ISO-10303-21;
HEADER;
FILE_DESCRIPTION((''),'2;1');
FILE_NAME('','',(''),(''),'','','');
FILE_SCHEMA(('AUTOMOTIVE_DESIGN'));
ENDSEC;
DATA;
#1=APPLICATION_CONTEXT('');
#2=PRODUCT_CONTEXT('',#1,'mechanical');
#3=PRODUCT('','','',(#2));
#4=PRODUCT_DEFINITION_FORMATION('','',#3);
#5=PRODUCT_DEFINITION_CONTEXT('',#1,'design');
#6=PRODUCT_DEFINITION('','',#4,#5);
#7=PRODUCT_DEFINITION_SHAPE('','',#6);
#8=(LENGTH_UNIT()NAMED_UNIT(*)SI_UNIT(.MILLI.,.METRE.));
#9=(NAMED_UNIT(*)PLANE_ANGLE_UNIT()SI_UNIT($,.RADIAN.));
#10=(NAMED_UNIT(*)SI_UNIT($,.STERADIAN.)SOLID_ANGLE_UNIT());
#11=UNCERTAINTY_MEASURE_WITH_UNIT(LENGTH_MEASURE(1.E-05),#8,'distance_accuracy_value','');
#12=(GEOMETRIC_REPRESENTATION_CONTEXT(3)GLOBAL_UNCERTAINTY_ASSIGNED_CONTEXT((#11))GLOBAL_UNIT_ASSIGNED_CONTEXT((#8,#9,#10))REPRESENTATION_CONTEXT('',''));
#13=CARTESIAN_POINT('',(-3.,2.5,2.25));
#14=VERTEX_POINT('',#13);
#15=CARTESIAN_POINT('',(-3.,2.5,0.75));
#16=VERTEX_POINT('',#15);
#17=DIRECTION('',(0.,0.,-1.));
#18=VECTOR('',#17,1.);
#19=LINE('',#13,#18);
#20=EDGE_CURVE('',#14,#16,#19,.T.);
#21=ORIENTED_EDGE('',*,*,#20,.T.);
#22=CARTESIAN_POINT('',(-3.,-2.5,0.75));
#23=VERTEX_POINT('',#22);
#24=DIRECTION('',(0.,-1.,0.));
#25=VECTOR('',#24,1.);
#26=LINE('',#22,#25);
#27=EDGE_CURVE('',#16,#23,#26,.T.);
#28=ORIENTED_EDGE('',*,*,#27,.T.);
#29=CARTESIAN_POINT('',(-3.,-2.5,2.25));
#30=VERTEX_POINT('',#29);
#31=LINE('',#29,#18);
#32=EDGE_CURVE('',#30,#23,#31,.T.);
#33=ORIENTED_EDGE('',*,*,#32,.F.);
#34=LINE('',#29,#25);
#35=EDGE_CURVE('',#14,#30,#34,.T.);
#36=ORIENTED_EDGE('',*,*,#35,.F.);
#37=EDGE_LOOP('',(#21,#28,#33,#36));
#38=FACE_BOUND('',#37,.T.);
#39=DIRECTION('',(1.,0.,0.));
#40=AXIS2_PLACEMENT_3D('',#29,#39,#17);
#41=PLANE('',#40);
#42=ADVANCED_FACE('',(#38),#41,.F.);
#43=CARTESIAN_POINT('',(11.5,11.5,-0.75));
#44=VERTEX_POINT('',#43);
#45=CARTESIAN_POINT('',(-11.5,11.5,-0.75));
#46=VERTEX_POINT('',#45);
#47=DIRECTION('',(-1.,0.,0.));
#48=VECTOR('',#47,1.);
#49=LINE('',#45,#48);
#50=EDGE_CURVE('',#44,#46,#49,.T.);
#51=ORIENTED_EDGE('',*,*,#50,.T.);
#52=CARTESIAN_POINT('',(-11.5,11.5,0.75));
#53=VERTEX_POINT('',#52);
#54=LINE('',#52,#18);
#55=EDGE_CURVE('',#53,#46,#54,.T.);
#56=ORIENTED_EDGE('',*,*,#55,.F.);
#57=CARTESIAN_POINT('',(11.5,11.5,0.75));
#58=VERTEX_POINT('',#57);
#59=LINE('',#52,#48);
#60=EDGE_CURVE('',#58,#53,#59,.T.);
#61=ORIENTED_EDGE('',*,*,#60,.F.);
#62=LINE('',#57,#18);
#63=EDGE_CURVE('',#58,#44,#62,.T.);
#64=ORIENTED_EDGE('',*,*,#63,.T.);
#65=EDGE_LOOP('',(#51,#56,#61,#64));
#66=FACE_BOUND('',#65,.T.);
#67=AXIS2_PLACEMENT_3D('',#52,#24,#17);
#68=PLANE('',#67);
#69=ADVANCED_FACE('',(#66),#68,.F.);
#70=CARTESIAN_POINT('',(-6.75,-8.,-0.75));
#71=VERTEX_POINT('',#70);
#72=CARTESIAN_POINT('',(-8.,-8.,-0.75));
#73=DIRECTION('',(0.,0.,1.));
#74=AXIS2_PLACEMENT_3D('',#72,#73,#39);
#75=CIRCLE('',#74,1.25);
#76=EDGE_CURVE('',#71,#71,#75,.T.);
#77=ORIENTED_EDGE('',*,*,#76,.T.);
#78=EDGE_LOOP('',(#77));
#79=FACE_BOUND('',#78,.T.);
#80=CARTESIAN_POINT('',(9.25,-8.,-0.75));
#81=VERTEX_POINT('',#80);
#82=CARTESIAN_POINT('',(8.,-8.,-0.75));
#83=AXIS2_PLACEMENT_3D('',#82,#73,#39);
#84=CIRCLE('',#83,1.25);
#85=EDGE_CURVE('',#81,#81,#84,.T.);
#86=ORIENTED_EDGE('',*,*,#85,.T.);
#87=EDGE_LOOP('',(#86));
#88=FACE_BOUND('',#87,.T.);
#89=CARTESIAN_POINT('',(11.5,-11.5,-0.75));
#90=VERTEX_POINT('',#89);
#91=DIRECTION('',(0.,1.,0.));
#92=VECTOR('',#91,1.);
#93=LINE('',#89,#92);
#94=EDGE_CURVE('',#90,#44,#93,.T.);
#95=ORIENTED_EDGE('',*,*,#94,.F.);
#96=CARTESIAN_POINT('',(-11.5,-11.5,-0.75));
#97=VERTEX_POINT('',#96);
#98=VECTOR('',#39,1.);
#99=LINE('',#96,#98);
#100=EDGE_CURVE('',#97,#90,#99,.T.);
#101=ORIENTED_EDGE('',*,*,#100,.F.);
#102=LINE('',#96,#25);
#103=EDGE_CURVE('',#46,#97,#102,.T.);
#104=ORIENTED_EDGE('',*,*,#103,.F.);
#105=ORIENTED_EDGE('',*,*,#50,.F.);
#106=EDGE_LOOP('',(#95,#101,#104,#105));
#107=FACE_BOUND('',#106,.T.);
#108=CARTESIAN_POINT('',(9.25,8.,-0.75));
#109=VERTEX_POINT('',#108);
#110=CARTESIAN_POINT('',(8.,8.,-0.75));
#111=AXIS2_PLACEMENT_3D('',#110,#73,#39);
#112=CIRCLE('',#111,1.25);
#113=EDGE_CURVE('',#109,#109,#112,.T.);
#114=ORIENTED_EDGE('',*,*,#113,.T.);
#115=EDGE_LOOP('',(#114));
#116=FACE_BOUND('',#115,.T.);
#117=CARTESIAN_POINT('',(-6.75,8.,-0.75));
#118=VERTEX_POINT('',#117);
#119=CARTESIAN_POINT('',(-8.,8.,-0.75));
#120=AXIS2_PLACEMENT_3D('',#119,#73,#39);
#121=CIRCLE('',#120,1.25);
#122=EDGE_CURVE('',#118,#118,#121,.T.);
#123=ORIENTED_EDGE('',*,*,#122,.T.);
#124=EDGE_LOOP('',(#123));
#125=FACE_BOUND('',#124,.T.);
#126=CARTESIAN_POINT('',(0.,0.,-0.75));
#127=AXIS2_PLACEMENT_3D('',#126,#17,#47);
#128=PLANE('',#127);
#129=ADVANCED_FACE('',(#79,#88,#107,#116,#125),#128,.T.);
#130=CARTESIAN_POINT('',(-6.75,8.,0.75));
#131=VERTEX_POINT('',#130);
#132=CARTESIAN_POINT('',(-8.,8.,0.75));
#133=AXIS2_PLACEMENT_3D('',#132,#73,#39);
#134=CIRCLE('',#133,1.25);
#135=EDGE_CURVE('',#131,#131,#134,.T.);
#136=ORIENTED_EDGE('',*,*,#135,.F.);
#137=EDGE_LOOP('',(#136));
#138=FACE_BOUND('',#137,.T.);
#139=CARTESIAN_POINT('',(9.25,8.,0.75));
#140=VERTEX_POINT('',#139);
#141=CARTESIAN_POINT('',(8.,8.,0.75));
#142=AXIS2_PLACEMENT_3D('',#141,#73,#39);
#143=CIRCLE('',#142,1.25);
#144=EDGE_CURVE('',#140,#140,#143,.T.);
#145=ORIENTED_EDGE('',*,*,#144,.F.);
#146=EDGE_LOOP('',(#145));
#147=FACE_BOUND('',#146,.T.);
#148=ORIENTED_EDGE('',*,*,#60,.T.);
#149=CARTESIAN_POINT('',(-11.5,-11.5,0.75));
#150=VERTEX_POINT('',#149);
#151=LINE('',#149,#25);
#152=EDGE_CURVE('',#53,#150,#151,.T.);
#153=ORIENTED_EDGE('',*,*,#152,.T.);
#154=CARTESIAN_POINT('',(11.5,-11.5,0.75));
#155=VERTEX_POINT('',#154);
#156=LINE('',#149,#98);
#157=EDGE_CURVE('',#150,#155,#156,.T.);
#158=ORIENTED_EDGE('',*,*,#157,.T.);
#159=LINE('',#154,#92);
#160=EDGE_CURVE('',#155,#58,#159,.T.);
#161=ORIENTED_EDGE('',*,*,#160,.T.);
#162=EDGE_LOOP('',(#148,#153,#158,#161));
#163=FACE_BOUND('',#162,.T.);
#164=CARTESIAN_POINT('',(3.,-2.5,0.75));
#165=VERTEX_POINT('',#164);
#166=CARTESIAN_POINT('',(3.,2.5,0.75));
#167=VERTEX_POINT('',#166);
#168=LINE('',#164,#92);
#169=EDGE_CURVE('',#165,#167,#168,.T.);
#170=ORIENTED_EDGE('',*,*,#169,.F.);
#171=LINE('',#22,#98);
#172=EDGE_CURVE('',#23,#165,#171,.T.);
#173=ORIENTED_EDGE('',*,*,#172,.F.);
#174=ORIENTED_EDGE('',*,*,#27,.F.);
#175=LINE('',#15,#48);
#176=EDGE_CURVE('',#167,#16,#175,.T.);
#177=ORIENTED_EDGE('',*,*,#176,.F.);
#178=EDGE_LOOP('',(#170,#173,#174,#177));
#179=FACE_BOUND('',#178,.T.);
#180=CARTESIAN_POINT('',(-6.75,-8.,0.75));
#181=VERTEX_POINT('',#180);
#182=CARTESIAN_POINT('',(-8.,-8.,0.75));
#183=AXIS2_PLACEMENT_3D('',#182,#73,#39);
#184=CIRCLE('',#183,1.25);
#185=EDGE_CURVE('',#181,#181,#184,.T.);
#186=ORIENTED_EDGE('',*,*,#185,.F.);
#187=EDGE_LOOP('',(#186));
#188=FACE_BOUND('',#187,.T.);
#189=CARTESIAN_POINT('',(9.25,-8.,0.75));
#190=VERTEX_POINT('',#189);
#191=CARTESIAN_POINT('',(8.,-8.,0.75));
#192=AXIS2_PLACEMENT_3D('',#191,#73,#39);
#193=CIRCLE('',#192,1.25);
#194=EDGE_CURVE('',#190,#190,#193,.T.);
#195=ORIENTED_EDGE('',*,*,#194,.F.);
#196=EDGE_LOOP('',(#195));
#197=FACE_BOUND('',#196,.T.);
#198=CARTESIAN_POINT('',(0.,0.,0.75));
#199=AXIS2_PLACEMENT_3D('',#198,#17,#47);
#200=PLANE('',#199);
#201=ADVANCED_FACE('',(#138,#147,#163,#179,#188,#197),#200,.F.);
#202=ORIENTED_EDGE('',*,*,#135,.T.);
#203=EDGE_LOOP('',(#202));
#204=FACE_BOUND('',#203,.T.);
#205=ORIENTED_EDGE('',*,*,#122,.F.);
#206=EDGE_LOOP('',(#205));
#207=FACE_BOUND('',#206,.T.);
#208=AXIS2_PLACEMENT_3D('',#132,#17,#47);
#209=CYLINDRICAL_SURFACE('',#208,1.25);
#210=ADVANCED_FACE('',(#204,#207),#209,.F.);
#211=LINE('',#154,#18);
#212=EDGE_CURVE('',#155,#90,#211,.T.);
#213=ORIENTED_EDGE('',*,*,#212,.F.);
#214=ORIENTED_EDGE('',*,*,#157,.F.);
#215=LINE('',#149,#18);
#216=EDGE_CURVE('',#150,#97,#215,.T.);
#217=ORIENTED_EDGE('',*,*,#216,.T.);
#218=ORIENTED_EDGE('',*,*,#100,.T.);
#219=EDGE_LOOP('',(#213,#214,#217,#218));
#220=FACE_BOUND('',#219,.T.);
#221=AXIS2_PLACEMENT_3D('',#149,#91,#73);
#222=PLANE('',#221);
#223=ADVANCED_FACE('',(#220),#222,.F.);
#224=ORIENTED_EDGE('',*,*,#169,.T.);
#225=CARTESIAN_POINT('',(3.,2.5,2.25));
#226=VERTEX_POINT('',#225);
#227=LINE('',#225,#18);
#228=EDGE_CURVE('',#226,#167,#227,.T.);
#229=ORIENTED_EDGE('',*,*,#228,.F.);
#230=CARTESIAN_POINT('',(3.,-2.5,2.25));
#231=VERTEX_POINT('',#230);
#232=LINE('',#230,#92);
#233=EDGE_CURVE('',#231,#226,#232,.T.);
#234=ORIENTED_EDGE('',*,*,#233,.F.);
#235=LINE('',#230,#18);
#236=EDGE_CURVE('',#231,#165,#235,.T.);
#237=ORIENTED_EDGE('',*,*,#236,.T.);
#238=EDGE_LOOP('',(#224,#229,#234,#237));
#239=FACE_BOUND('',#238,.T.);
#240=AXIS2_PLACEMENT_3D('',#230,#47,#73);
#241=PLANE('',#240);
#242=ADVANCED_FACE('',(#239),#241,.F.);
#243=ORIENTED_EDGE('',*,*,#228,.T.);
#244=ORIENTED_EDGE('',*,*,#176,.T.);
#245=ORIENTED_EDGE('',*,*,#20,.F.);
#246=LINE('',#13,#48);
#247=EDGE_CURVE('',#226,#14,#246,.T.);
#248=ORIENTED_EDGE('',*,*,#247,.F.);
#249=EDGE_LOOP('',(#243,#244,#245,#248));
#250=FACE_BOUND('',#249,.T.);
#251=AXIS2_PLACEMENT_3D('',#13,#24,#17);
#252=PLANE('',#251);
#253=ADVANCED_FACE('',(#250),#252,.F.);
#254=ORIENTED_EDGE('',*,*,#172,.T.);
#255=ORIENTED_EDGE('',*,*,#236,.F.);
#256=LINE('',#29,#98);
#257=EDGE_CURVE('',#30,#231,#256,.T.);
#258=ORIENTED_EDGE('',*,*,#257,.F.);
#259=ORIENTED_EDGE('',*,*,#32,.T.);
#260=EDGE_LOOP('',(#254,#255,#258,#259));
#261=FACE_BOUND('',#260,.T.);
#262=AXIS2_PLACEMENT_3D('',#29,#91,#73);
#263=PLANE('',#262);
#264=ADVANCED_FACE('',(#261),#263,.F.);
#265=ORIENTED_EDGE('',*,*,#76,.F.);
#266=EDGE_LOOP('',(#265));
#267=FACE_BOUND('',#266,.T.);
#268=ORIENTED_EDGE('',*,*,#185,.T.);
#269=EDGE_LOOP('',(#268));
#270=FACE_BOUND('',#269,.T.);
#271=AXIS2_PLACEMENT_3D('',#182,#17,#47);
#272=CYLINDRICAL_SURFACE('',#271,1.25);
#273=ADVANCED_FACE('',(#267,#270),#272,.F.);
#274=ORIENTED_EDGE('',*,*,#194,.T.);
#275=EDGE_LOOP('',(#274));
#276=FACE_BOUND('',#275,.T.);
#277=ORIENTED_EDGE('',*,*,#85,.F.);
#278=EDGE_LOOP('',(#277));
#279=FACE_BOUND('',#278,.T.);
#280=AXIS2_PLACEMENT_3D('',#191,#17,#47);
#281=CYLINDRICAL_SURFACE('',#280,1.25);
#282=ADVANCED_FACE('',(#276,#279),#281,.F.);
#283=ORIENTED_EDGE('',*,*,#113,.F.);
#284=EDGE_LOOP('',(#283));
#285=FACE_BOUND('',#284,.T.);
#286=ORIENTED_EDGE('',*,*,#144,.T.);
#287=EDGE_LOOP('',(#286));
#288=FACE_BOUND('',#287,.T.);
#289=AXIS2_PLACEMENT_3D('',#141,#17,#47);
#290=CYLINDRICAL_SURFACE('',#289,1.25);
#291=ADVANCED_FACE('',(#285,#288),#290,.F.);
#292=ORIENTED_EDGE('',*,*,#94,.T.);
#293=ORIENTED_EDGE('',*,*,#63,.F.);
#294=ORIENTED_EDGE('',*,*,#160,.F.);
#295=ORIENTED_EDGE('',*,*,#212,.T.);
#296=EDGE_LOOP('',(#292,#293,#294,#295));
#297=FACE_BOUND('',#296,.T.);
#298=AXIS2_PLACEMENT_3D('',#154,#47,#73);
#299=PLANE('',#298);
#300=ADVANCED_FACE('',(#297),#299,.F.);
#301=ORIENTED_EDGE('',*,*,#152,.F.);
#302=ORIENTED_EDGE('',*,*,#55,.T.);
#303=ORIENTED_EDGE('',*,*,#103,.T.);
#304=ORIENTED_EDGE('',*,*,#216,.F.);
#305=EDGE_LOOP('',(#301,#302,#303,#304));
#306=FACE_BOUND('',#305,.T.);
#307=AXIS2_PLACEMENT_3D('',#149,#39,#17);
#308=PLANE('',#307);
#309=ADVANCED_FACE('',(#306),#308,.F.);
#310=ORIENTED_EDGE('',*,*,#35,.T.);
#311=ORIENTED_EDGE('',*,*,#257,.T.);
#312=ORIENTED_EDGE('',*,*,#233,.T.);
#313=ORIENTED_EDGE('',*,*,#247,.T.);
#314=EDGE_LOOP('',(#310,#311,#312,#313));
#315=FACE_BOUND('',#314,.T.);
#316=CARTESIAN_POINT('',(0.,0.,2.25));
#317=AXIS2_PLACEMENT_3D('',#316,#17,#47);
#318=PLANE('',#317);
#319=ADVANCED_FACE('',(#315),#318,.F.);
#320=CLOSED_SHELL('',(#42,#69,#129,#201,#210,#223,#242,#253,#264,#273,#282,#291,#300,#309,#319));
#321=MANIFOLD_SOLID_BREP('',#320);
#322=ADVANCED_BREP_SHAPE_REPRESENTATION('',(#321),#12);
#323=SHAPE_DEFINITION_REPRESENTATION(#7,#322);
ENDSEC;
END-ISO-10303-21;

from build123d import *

# Parameters (mm, degrees)
SKETCH_1_W      = 23
SKETCH_1_H      = 23
SKETCH_1_R      = 1.25
EXTRUDE_1_DEPTH = 0.75
SKETCH_2_W      = 6
SKETCH_2_H      = 5
EXTRUDE_2_DEPTH = 1.5


with BuildPart() as part:
    # 草图1 → 凸台-拉伸1 (new, symmetric)
    with BuildSketch(Plane.XY):
        Rectangle(SKETCH_1_W, SKETCH_1_H)
        with Locations((-8, 8)):
            Circle(SKETCH_1_R, mode=Mode.SUBTRACT)
        with Locations((8, 8)):
            Circle(SKETCH_1_R, mode=Mode.SUBTRACT)
        with Locations((8, -8)):
            Circle(SKETCH_1_R, mode=Mode.SUBTRACT)
        with Locations((-8, -8)):
            Circle(SKETCH_1_R, mode=Mode.SUBTRACT)
    extrude(amount=EXTRUDE_1_DEPTH, both=True)

    # 草图2 → 凸台-拉伸2 (add)
    with BuildSketch(Plane.XY.offset(0.75)):
        Rectangle(SKETCH_2_W, SKETCH_2_H)
    extrude(amount=EXTRUDE_2_DEPTH)


solid = part.part
